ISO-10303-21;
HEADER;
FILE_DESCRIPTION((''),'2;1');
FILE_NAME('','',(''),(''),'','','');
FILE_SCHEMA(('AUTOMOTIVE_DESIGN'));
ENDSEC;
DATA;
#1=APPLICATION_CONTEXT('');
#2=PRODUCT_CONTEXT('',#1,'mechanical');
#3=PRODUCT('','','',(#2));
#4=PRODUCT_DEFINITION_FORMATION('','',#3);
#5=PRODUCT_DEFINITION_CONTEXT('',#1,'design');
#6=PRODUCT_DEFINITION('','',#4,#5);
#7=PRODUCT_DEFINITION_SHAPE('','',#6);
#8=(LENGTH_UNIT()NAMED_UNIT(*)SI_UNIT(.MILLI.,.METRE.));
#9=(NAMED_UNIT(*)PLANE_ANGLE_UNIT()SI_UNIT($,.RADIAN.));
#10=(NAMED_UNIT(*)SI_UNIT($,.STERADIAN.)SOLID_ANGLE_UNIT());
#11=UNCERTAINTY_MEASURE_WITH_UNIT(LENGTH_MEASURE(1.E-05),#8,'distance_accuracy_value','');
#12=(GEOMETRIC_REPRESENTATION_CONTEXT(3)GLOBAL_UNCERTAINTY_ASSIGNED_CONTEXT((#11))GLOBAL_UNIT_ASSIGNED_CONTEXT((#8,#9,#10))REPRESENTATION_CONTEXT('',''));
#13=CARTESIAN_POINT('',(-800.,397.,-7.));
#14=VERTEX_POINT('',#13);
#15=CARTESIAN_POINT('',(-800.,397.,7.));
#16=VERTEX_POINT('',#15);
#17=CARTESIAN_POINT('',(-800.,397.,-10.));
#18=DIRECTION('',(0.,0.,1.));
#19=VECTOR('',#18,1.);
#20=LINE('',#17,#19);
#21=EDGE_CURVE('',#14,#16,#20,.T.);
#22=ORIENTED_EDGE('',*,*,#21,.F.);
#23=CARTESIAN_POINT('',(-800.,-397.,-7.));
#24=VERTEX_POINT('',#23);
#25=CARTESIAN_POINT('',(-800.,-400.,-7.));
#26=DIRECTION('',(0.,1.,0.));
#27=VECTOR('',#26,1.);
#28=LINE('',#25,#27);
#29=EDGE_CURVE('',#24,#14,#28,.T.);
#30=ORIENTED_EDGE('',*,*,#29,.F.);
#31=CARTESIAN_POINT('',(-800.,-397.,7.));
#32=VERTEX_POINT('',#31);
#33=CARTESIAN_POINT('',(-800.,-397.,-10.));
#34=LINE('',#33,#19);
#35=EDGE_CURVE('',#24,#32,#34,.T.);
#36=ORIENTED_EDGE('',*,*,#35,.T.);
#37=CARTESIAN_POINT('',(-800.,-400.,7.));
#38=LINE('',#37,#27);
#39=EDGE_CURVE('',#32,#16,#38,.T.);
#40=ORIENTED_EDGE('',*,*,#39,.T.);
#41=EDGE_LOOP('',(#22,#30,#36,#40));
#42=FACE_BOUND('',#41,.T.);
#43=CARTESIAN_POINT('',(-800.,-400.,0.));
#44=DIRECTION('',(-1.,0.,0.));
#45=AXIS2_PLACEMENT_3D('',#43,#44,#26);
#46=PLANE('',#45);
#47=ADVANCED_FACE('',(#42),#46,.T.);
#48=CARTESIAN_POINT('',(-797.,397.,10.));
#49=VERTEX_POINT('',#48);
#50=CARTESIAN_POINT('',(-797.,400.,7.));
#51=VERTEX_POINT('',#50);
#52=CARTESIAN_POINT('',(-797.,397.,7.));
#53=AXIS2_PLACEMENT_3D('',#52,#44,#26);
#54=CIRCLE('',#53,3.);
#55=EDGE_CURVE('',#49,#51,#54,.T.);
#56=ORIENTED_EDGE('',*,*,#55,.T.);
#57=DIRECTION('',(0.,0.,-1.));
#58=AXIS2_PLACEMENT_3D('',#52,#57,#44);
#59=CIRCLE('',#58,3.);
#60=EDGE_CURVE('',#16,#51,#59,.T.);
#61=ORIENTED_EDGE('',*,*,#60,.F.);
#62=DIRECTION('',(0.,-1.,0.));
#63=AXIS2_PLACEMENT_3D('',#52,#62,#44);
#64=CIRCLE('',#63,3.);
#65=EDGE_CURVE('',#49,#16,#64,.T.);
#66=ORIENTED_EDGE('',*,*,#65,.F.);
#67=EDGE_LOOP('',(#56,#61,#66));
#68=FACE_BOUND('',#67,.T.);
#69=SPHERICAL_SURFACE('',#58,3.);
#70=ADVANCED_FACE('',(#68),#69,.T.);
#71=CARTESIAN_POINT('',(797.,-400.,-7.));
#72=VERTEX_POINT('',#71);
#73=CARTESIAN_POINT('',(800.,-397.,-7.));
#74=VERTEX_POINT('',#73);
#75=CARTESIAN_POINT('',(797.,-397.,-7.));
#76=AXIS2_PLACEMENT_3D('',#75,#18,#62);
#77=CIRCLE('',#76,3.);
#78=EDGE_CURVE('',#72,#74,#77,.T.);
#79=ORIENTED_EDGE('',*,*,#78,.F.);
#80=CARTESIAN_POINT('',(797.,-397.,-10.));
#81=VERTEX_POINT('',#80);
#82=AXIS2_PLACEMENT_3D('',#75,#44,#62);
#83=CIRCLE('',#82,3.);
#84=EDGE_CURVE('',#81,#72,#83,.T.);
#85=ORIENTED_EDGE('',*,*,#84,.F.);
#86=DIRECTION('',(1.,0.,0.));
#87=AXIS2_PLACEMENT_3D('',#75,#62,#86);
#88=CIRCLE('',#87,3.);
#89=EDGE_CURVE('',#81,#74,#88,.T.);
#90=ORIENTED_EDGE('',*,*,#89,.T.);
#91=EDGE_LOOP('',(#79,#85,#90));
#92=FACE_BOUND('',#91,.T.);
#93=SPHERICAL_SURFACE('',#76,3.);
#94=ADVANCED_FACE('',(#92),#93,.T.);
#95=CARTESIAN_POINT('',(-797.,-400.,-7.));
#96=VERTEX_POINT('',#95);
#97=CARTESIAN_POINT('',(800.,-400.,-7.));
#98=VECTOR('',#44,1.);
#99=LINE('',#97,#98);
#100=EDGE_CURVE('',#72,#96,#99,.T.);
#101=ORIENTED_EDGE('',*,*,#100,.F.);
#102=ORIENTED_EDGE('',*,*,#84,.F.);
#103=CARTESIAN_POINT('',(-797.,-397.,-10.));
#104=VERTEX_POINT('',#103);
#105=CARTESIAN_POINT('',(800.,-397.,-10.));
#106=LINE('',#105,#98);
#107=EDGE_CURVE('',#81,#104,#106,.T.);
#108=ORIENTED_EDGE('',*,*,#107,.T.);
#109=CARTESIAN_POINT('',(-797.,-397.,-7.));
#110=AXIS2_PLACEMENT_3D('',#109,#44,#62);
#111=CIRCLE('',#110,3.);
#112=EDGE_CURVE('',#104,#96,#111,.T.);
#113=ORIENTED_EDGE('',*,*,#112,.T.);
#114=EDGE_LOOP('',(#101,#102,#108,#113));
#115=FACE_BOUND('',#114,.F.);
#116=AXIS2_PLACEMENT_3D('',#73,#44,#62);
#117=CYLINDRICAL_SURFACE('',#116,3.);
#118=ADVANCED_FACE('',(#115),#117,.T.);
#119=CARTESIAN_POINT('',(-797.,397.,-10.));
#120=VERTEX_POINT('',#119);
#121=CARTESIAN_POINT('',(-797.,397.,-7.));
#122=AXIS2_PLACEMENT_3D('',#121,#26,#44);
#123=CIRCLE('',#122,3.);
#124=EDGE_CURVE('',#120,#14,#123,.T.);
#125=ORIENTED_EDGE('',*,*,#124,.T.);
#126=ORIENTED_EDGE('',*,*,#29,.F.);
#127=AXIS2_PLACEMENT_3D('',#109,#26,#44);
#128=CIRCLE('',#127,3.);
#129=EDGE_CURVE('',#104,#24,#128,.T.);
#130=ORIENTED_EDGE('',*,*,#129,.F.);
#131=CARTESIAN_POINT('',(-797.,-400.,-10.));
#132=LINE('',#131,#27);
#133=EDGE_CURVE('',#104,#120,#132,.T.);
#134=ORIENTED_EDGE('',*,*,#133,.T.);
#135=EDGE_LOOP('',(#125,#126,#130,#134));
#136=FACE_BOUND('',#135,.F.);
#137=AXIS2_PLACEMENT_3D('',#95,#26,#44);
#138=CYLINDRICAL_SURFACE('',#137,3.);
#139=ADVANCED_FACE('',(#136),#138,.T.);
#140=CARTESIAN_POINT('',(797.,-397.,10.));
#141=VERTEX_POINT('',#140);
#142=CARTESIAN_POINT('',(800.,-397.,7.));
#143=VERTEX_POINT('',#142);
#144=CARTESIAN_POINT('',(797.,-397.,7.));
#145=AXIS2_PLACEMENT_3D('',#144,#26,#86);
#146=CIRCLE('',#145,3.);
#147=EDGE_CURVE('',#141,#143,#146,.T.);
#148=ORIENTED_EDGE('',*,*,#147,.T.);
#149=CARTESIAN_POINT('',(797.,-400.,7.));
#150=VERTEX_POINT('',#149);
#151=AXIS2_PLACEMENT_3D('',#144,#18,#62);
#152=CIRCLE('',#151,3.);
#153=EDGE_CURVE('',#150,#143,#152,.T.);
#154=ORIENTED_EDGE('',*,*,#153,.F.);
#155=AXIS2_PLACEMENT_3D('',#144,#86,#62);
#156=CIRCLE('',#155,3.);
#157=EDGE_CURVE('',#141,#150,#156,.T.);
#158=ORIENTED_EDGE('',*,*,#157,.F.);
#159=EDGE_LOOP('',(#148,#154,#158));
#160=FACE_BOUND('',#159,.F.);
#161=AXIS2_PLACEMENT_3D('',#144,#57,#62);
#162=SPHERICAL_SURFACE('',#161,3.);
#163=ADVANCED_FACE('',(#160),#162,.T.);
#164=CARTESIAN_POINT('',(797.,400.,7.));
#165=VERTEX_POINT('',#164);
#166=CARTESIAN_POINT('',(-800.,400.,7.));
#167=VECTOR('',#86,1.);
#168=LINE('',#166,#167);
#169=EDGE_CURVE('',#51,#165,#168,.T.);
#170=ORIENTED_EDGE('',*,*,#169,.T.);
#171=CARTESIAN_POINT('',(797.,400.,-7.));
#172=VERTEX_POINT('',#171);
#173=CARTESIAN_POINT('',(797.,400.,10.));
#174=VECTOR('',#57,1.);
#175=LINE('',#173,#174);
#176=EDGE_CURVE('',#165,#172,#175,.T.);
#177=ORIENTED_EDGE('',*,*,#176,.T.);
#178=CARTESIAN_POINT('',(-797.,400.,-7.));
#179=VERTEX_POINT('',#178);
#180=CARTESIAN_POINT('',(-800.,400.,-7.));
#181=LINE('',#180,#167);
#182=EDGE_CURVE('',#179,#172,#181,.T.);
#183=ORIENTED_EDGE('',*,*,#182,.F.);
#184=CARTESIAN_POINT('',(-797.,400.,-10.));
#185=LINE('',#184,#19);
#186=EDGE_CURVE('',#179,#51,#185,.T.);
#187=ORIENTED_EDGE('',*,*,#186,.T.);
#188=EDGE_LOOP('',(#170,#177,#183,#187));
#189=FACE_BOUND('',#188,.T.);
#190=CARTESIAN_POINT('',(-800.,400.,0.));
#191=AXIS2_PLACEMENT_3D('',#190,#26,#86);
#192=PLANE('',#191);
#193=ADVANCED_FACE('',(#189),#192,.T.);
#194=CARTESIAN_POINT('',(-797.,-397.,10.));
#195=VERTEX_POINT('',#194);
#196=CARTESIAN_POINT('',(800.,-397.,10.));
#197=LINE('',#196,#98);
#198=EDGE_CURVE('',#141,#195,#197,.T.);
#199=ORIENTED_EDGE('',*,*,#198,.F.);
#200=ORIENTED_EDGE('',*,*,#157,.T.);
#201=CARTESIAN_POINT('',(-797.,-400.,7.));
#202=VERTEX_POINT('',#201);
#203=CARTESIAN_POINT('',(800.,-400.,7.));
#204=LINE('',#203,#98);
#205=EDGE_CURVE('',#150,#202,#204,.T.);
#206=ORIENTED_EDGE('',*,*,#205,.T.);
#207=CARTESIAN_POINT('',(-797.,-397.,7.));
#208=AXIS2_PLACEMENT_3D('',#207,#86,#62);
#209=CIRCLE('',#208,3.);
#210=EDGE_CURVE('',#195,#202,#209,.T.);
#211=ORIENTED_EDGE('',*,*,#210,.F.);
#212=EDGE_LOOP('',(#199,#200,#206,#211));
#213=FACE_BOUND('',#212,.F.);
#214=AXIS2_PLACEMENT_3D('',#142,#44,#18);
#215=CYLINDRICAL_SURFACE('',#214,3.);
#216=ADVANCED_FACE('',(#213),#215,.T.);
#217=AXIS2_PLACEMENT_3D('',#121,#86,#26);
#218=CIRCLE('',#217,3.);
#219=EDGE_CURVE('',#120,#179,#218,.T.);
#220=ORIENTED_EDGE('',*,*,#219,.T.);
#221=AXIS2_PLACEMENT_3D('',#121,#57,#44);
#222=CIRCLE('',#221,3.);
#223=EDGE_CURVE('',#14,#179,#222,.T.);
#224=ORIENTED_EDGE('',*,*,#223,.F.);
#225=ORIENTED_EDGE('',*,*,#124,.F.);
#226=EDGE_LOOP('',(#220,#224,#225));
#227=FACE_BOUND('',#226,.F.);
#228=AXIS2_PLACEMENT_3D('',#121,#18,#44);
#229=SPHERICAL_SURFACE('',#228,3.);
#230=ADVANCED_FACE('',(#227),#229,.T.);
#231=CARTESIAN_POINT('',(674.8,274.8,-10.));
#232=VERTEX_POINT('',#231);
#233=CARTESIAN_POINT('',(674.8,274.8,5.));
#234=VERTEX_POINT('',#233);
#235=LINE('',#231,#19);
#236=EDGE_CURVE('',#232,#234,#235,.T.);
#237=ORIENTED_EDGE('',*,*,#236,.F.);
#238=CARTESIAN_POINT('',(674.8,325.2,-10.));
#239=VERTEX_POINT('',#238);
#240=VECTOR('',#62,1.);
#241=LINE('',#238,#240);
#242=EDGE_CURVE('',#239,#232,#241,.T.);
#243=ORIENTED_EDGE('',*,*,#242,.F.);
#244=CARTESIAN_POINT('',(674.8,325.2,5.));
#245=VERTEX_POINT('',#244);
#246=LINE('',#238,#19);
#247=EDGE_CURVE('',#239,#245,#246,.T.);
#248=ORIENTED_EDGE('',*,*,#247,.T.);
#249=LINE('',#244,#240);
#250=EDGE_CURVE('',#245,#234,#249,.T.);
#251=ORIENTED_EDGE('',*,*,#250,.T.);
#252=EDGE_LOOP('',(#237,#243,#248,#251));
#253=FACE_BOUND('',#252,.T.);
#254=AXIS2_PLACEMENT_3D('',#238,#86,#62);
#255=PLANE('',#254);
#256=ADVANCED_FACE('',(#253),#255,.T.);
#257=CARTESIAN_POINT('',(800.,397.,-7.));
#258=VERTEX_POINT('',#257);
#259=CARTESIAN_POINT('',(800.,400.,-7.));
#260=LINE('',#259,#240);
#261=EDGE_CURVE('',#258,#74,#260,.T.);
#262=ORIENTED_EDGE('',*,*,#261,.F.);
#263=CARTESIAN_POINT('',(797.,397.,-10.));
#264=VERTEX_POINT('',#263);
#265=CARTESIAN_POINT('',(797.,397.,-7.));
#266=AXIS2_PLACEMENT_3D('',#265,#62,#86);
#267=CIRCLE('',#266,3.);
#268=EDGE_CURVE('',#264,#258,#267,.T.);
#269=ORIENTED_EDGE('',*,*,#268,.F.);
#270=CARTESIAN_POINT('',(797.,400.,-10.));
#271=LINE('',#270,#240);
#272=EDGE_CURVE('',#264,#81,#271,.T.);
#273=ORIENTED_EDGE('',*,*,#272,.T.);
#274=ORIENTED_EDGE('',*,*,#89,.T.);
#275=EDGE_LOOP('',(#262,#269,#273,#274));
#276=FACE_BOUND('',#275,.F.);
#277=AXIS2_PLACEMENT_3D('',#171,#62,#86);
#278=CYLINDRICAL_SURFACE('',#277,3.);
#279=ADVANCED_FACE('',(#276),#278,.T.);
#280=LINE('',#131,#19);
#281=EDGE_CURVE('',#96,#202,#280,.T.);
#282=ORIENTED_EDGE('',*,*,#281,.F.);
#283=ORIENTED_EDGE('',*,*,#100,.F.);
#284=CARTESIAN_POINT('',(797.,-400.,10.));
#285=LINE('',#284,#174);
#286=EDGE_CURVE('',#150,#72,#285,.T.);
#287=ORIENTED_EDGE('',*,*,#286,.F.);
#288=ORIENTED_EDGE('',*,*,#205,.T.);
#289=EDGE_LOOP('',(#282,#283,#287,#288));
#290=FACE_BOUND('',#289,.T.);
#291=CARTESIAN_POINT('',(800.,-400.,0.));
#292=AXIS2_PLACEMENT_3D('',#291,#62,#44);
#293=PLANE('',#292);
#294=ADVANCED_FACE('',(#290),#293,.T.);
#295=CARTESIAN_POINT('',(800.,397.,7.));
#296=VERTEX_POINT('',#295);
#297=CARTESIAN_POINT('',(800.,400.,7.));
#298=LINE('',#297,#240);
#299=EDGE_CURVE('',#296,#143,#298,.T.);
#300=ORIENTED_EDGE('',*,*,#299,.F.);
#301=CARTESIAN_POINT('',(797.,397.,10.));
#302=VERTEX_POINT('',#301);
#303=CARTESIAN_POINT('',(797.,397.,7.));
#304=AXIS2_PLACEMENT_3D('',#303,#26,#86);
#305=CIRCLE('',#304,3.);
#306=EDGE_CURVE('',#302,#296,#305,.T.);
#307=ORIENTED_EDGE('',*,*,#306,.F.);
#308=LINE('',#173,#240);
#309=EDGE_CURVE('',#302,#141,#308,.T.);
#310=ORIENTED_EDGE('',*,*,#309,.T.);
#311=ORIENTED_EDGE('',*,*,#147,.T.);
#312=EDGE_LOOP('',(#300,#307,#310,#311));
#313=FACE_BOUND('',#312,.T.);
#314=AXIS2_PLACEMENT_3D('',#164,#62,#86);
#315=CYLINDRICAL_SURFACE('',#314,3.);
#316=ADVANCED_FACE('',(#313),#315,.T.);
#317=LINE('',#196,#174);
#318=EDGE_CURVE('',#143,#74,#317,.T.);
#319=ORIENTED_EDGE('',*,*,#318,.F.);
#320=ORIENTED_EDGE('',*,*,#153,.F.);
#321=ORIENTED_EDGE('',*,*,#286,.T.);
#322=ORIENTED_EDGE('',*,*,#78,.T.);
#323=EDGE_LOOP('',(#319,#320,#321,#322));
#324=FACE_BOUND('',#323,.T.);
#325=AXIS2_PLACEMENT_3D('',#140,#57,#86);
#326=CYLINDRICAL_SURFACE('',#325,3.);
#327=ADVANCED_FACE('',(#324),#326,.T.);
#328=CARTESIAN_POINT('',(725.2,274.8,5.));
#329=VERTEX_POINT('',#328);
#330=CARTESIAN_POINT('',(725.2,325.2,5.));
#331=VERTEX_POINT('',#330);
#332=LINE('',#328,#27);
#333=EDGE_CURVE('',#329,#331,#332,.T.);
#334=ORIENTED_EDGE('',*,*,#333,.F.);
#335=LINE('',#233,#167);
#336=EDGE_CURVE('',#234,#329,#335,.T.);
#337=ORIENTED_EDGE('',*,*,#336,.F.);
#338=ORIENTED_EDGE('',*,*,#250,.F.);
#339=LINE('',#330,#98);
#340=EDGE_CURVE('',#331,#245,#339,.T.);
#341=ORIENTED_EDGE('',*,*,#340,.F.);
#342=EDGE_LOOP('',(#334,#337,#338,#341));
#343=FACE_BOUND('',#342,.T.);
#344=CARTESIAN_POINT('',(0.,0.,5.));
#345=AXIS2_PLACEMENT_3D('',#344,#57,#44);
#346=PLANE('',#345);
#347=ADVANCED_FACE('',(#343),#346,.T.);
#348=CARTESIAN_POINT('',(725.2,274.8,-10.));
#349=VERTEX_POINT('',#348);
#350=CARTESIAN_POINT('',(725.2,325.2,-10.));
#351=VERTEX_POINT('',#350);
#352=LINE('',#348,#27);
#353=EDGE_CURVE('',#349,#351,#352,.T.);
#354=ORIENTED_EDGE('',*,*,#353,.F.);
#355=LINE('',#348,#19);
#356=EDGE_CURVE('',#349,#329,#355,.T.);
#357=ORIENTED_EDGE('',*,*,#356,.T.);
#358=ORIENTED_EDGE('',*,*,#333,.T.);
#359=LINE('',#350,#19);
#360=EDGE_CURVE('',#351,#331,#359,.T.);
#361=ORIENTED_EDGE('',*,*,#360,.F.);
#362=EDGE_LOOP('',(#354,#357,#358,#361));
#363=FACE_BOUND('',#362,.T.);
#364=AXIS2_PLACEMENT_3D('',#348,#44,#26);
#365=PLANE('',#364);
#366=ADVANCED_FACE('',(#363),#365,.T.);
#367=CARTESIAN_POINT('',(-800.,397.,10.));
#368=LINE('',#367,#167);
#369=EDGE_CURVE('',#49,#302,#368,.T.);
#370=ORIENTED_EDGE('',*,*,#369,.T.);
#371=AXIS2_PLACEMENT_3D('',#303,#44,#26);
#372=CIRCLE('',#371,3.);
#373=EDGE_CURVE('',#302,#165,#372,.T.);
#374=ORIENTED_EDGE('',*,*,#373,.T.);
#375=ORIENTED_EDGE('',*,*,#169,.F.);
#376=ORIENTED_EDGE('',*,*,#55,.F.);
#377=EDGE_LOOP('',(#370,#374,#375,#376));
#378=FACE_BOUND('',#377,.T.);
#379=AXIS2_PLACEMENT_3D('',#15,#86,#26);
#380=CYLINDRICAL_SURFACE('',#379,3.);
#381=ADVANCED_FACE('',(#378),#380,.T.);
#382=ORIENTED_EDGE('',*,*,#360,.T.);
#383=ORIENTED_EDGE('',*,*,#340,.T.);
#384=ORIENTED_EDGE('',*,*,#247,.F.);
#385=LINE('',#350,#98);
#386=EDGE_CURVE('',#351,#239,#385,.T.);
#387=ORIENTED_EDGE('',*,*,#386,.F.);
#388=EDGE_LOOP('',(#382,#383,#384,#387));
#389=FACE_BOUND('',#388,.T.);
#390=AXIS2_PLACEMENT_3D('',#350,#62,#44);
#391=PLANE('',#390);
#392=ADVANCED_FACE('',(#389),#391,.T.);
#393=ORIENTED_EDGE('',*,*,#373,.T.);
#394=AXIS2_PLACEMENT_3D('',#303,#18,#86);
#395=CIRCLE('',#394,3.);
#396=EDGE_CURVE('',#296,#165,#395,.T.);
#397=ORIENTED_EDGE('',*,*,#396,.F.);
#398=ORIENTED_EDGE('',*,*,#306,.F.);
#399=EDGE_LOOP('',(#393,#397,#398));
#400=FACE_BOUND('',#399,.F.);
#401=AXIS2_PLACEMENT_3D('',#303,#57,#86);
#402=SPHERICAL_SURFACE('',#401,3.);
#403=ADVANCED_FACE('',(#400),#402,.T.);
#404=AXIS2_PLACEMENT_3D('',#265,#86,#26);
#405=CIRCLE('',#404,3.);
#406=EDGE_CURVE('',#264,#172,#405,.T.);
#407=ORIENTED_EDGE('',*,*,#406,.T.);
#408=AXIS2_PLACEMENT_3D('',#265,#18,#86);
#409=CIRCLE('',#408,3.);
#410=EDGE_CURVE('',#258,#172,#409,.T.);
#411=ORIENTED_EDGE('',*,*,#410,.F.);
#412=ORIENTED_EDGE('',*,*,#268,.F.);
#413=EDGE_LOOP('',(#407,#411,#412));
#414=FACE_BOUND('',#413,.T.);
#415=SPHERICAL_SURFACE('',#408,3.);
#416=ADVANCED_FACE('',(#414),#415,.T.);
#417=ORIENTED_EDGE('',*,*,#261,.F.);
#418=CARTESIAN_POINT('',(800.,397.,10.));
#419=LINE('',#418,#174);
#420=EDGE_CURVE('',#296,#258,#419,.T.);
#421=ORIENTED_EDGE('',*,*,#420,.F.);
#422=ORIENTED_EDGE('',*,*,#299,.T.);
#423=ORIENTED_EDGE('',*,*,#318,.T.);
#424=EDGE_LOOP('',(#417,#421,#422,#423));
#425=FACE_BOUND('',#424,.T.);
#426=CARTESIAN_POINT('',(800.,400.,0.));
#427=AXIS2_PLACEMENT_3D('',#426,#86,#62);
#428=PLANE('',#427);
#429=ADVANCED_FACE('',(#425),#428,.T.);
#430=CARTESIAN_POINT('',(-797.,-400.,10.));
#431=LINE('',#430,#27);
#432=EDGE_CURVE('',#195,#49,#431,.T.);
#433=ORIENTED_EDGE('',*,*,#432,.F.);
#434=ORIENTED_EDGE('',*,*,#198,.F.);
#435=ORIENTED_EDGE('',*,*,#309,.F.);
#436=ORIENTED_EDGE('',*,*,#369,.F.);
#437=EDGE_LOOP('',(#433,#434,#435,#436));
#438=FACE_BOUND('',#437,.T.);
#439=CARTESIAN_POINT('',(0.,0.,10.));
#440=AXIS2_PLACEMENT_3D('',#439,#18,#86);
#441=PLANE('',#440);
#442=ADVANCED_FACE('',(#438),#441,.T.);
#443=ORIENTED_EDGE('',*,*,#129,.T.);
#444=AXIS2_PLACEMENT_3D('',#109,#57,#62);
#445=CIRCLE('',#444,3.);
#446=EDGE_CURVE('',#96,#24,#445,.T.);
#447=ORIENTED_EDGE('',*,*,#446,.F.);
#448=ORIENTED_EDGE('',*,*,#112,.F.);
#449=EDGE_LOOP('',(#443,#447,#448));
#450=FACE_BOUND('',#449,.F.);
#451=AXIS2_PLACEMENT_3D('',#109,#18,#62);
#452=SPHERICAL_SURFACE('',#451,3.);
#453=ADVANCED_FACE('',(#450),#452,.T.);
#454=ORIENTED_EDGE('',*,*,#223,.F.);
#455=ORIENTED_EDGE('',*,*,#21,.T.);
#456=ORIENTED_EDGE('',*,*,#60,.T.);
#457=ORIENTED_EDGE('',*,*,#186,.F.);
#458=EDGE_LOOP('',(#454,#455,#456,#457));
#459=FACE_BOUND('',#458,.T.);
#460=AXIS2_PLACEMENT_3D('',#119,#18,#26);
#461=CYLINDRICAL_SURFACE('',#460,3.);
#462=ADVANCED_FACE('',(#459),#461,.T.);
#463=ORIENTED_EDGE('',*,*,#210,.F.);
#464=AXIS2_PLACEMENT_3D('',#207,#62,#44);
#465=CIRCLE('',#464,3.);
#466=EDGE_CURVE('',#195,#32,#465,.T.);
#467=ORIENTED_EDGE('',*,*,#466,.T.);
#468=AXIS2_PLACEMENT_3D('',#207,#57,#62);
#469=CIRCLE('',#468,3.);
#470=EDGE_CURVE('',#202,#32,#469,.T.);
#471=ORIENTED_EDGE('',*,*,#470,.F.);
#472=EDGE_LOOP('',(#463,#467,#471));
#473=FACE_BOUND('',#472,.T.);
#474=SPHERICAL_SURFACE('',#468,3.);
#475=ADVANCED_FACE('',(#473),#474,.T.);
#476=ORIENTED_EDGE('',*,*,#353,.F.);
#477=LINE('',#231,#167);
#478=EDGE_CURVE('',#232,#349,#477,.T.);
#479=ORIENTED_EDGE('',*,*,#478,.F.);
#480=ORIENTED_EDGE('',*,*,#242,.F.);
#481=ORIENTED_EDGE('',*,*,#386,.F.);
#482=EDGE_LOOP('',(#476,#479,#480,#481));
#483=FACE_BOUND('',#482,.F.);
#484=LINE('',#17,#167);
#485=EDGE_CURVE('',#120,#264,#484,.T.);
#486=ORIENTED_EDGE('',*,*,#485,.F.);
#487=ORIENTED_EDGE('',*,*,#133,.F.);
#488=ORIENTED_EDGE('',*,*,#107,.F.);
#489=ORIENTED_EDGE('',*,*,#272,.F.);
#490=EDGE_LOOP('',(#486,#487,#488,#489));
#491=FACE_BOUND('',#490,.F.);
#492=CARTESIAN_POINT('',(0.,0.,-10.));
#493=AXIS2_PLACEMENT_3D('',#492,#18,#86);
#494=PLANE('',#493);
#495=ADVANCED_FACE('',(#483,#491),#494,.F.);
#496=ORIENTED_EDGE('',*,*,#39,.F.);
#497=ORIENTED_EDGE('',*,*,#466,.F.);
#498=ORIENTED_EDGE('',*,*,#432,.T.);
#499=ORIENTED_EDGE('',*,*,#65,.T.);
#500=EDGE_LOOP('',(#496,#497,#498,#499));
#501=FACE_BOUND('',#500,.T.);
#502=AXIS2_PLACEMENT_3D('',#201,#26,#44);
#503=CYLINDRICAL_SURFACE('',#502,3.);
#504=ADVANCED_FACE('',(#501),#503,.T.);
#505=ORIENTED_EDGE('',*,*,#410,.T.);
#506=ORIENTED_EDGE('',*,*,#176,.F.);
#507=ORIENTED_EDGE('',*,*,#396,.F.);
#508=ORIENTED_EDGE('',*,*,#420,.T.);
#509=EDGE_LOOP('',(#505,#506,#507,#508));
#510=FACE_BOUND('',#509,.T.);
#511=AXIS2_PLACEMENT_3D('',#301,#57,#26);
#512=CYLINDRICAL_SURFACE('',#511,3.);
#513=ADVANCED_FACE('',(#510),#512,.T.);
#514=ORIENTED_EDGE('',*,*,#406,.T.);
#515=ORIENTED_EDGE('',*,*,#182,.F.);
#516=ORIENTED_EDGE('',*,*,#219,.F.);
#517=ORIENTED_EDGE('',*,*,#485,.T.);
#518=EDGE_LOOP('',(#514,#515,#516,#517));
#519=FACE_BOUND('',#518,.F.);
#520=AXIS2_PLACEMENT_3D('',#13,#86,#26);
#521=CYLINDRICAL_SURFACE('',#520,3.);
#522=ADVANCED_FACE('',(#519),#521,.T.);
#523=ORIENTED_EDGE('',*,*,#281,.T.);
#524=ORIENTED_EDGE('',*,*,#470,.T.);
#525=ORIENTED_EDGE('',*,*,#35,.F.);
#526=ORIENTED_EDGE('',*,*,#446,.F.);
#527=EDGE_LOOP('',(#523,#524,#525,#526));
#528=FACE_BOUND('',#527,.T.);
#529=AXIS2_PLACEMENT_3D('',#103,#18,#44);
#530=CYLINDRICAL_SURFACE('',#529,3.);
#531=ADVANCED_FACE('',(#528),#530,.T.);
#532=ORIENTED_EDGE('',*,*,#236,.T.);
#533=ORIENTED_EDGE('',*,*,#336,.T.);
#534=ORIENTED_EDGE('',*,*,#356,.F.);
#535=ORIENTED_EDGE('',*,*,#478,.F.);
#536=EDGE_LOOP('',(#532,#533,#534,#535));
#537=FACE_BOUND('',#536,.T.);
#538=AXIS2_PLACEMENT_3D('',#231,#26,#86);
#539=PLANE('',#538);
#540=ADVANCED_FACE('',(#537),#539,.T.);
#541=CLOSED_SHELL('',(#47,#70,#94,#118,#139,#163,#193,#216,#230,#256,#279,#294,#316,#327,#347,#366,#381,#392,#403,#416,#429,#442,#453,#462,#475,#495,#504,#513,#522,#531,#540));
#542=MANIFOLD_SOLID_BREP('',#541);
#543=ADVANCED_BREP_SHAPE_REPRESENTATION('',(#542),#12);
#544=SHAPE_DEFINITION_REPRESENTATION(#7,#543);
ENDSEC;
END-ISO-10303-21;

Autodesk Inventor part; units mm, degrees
sketch "Tampo_sketch" plane through (0, 0, 0) normal (0, 0, 1) x (1, 0, 0)
  line L0 (-800, 400) -> (800, 400)
  line L1 (800, 400) -> (800, -400)
  line L2 (800, -400) -> (-800, -400)
  line L3 (-800, -400) -> (-800, 400)
  line L4 (-800, 400) -> (800, -400) construction
  line L5 (800, 400) -> (-800, -400) construction
  point P0 (0, 0)
  point P1 (0, 0)
  dimension "d0" = 1600
  dimension "d1" = 800
extrude "Tampo_Extrusion" add sketch "Tampo_sketch" along normal mid plane 20
fillet "Fillet1" radius 3 12 edges at (800, 400, 0) (-800, 400, 0) (-800, -400, 0) (800, -400, 0) (0, -400, 10) (0, -400, -10) (800, 0, 10) (800, 0, -10) (-800, 0, 10) (-800, 0, -10) (0, 400, 10) (0, 400, -10)
sketch "perna_encaixe_Sketch2" plane through (0, 0, -10) normal (0, 0, -1) x (-1, 0, 0)
  line L0 (-674.8, 274.8) -> (-725.2, 274.8)
  line L1 (-725.2, 274.8) -> (-725.2, 325.2)
  line L2 (-725.2, 325.2) -> (-674.8, 325.2)
  line L3 (-674.8, 325.2) -> (-674.8, 274.8)
  line L4 (-674.8, 274.8) -> (-725.2, 325.2) construction
  line L5 (-725.2, 274.8) -> (-674.8, 325.2) construction
  point P0 (0, 0)
  point P1 (-700, 300)
  dimension "d5" = 300
  dimension "d6" = 700
  dimension "d7" = 50.4
extrude "perna_encaixe_rasgo" cut sketch "perna_encaixe_Sketch2" against normal blind 15
properties part number "Tampo" material "Wood (Oak)"
